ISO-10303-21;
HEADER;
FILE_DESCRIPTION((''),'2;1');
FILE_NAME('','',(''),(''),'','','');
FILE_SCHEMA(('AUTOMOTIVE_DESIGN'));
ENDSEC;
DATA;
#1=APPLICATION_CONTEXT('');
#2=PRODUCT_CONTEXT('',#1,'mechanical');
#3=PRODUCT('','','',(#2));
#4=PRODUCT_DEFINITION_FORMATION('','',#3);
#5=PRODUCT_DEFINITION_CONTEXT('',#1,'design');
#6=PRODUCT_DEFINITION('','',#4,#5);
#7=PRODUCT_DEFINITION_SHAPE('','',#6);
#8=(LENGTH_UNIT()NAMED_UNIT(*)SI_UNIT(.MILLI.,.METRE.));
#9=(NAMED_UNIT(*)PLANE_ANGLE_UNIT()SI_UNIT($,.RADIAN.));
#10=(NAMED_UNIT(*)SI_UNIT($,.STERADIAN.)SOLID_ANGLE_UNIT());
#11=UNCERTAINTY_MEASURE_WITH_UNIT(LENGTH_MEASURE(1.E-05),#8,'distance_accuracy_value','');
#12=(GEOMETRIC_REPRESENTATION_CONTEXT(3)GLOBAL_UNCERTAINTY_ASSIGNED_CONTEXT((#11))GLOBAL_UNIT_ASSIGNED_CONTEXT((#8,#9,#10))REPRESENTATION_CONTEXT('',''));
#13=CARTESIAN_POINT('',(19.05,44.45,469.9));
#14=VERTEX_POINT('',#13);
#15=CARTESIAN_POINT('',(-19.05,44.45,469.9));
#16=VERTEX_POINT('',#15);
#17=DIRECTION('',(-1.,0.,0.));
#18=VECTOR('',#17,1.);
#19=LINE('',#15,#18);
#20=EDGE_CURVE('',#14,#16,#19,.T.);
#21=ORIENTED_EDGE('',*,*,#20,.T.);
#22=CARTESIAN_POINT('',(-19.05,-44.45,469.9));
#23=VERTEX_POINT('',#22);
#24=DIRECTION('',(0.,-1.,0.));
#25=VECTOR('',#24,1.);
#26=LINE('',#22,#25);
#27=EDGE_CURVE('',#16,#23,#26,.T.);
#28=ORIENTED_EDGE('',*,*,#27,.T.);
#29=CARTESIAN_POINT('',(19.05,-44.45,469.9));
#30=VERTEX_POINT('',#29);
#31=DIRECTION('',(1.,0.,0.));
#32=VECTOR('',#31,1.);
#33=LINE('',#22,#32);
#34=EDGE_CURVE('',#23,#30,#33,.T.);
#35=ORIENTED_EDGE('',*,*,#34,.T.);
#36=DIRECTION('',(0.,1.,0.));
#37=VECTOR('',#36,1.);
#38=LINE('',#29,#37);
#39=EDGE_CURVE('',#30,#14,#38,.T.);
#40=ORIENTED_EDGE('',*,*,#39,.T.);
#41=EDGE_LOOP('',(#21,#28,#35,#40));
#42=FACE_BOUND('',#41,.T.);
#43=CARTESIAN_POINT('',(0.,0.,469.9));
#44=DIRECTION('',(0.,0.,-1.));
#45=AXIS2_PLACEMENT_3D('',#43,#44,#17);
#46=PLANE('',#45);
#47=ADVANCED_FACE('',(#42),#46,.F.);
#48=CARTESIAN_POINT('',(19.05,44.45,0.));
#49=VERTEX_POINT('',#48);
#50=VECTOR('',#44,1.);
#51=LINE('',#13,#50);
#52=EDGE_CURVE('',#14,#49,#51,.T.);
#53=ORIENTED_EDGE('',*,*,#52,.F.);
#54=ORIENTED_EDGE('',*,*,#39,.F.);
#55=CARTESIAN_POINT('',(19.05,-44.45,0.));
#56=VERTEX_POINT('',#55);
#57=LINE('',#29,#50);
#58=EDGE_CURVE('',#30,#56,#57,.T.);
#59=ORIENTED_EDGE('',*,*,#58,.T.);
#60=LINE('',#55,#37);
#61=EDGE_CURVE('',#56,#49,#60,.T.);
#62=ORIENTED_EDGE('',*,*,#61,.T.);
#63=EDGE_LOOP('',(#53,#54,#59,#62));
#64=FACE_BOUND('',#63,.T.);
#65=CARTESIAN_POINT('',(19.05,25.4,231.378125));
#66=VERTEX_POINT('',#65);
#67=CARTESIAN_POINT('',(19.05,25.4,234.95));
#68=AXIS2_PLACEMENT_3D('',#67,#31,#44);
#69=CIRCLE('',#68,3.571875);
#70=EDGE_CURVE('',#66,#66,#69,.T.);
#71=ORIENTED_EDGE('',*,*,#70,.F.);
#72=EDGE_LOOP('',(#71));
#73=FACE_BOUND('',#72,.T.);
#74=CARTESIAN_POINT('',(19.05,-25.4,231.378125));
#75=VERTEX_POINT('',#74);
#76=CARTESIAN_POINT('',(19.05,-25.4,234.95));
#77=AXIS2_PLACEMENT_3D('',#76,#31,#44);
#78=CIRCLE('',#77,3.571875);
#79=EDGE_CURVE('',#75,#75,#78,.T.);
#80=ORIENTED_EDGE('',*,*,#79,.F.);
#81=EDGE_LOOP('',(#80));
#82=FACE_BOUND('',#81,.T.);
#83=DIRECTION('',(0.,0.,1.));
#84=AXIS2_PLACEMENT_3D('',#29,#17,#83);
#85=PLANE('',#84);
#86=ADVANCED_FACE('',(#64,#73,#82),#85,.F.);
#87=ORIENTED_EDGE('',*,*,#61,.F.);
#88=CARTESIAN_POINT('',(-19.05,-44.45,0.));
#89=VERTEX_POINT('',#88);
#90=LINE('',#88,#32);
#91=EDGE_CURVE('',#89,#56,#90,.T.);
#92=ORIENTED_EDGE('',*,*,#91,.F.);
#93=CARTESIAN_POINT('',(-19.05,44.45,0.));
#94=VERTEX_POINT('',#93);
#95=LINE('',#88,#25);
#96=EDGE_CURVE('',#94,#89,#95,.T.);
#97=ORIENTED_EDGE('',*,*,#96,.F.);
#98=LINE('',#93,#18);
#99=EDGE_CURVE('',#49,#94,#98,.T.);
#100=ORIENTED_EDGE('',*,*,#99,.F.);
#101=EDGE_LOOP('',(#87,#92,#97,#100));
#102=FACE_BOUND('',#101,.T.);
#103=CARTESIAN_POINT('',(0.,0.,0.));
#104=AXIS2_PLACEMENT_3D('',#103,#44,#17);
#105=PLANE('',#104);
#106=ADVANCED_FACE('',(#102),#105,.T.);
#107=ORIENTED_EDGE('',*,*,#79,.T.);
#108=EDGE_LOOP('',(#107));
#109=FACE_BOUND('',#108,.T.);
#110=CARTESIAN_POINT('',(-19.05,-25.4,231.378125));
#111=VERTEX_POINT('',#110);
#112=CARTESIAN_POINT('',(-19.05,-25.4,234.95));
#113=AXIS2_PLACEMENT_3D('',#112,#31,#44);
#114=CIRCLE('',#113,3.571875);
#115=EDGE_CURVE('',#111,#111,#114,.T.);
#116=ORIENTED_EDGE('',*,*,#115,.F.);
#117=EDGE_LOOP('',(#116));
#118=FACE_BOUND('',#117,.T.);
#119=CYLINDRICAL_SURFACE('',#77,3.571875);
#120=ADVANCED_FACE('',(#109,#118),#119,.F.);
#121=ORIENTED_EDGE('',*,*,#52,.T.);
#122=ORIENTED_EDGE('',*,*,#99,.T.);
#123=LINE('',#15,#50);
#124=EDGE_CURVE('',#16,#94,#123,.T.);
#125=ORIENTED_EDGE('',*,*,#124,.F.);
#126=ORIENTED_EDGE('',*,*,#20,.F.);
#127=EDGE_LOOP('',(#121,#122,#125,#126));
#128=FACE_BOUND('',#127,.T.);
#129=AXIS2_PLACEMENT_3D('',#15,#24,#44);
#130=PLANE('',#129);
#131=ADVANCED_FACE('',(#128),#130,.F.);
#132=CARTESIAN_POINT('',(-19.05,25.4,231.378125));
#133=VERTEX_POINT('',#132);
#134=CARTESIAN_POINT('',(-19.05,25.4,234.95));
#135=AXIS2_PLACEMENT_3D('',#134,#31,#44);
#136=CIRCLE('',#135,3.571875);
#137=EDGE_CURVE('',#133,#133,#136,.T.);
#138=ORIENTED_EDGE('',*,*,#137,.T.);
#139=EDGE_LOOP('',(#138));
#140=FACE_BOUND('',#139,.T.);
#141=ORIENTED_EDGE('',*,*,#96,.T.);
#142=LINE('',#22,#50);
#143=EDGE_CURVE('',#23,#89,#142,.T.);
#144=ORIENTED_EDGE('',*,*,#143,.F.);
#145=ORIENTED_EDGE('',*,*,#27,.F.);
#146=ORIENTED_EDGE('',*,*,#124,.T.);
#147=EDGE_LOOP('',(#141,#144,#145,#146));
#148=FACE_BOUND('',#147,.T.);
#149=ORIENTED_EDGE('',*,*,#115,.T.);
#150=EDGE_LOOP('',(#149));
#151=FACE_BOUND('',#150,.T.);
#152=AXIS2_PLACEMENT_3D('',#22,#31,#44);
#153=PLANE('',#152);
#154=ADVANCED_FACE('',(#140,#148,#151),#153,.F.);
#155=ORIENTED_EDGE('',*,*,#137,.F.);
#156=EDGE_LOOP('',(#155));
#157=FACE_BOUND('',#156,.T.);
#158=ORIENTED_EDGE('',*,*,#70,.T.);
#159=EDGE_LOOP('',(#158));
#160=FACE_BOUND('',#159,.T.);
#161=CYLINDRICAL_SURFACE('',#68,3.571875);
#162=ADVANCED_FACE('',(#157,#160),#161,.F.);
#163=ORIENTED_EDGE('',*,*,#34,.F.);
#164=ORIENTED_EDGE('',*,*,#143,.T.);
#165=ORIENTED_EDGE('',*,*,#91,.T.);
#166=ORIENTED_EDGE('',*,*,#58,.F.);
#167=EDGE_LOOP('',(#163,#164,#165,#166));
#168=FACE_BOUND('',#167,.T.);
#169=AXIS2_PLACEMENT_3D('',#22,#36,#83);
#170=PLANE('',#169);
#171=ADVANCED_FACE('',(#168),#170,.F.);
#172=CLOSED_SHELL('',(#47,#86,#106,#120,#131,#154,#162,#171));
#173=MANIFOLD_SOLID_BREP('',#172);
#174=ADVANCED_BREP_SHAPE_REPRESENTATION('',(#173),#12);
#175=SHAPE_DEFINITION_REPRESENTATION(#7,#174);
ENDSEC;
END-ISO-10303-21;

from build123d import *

# Parameters (mm, degrees)
SKETCH1_W                       = 38.1
SKETCH1_H                       = 88.9
BOSS_EXTRUDE1_DEPTH             = 469.9
F_9_32_0_28125_DIAMETER_HOLE1_D = 7.14375


with BuildPart() as part:
    # Sketch1 → Boss-Extrude1 (new body)
    with BuildSketch(Plane.XY):
        Rectangle(SKETCH1_W, SKETCH1_H)
    extrude(amount=BOSS_EXTRUDE1_DEPTH)

    # 9/32 (0.28125) Diameter Hole1 (through all)
    with Locations(Plane(origin=(19.05, 0, 0), x_dir=(0, 0, -1), z_dir=(1, 0, 0))):
        with Locations((-234.95, 25.4), (-234.95, -25.4)):
            Hole(F_9_32_0_28125_DIAMETER_HOLE1_D / 2)


solid = part.part
